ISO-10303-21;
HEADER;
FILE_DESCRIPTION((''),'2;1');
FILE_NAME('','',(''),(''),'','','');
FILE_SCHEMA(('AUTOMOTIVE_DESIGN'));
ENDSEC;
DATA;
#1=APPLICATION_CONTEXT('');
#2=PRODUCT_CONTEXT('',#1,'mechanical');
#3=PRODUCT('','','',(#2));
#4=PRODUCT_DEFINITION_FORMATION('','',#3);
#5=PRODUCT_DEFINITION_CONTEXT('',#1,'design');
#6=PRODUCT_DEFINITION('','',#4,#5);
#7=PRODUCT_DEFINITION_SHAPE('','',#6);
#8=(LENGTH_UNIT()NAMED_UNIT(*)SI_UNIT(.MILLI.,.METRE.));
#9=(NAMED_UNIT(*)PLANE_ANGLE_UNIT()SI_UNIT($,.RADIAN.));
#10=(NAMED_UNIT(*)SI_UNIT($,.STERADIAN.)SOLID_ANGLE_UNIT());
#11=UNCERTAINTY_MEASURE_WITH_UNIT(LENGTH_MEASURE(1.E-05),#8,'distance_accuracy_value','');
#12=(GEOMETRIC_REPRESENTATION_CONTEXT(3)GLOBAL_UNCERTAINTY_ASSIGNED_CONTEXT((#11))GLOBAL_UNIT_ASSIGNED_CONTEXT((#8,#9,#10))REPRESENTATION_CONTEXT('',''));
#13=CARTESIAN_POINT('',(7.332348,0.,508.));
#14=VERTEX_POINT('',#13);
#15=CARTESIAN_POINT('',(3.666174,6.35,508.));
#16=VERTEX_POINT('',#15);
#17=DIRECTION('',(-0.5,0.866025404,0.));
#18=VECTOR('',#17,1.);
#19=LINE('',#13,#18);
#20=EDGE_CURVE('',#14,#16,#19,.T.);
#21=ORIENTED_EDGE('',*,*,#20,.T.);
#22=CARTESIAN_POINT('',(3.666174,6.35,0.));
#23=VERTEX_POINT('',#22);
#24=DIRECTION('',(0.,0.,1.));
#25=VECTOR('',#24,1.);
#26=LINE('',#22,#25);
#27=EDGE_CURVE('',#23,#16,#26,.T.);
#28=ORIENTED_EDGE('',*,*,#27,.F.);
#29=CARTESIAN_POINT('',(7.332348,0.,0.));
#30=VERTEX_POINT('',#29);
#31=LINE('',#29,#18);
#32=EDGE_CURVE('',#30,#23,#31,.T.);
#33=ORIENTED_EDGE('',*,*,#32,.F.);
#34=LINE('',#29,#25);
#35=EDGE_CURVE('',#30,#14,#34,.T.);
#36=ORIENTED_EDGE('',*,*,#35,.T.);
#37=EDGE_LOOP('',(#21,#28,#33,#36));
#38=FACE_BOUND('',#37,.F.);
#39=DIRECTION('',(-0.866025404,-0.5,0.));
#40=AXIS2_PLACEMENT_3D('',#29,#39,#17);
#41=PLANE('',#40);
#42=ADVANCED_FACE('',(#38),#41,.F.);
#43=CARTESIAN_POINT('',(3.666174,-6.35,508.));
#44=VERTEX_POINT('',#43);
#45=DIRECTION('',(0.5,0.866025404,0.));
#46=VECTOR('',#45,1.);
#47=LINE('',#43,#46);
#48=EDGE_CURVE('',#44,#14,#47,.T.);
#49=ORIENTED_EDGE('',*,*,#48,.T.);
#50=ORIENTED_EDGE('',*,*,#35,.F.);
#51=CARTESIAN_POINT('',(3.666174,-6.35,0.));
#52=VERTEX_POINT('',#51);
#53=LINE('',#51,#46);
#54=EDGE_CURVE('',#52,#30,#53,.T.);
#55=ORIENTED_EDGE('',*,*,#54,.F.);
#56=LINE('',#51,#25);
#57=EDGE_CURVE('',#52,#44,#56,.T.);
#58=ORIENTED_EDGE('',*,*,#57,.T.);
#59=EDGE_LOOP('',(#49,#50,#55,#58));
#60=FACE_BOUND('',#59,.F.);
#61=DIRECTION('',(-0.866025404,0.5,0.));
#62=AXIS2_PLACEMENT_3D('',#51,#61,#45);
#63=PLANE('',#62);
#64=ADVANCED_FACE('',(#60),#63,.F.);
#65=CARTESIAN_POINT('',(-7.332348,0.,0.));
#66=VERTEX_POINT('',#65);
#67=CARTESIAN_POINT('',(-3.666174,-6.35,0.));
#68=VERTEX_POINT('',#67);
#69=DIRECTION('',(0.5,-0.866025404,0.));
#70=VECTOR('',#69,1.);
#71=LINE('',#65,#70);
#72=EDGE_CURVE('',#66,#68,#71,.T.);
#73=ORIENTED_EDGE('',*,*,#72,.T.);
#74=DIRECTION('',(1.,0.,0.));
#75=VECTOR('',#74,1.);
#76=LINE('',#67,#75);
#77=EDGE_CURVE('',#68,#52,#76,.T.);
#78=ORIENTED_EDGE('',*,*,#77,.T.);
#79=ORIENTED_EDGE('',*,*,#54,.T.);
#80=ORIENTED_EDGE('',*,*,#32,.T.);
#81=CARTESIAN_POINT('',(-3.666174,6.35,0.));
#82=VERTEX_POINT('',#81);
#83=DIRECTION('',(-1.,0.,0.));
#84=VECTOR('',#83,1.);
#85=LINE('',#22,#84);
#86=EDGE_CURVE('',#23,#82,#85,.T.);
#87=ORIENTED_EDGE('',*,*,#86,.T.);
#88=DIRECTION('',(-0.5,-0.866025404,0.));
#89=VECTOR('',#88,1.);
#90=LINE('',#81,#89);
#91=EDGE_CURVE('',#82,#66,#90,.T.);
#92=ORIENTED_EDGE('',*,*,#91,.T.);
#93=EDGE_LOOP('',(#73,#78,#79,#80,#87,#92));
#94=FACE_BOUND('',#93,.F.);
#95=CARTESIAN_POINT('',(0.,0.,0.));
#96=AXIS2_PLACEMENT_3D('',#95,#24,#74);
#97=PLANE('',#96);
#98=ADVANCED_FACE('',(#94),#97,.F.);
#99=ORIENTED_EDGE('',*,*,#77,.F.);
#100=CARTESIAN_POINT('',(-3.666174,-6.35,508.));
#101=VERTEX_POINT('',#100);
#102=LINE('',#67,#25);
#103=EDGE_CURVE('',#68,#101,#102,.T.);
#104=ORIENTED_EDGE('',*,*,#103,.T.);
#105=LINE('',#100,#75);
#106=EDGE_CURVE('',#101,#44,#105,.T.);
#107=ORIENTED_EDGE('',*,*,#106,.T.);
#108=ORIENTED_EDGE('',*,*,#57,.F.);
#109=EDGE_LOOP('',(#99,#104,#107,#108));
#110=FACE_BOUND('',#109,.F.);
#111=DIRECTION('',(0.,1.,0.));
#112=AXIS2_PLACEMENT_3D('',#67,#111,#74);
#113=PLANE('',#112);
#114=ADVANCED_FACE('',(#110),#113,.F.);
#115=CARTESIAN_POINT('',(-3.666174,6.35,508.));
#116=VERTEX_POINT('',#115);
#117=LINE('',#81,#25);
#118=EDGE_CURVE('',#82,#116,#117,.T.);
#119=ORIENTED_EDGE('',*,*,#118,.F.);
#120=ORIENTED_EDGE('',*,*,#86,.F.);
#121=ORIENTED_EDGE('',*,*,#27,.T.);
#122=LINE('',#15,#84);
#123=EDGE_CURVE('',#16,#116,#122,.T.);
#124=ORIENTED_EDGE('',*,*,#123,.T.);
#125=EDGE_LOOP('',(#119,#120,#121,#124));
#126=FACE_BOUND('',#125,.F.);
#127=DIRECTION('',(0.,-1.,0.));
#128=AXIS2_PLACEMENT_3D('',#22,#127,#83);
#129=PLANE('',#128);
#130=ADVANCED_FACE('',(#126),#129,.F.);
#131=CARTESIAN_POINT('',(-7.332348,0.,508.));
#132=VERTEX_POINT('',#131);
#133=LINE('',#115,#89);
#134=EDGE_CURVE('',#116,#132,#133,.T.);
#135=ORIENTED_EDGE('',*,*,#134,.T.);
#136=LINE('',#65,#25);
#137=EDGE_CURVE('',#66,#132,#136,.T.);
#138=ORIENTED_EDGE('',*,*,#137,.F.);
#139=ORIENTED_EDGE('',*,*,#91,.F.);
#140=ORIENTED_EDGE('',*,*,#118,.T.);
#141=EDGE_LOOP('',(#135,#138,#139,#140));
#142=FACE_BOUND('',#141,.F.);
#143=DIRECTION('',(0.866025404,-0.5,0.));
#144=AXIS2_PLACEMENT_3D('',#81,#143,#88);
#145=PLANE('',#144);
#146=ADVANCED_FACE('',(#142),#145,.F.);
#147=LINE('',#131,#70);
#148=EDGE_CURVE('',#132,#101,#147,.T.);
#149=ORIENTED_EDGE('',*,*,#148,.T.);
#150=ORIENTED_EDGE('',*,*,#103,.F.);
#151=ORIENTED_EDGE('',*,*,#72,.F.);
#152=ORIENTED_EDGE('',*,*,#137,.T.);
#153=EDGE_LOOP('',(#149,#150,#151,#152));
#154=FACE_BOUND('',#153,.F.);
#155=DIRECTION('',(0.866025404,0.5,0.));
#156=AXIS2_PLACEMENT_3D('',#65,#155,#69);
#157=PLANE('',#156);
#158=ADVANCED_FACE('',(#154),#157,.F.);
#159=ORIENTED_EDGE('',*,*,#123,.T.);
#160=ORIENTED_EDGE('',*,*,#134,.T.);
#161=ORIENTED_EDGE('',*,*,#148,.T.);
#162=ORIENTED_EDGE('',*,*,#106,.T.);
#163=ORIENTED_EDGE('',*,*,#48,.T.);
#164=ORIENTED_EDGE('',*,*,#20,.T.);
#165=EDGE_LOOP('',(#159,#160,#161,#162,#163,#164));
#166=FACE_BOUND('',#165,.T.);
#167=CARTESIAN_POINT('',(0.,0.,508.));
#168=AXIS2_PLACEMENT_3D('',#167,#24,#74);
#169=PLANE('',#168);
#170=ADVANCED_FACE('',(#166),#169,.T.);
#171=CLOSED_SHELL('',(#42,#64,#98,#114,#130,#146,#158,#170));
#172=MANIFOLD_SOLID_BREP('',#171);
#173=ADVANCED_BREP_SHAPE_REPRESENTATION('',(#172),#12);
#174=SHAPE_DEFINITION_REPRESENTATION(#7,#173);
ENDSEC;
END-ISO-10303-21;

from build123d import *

# Parameters (mm, degrees)
BOSS_EXTRUDE1_DEPTH = 508


with BuildPart() as part:
    # Sketch1 → Boss-Extrude1 (new body)
    with BuildSketch(Plane.XY):
        Polygon((7.332348419, 0), (3.666174209, 6.35), (-3.666174209, 6.35), (-7.332348419, 0), (-3.666174209, -6.35), (3.666174209, -6.35), align=None)
    extrude(amount=BOSS_EXTRUDE1_DEPTH)


solid = part.part
